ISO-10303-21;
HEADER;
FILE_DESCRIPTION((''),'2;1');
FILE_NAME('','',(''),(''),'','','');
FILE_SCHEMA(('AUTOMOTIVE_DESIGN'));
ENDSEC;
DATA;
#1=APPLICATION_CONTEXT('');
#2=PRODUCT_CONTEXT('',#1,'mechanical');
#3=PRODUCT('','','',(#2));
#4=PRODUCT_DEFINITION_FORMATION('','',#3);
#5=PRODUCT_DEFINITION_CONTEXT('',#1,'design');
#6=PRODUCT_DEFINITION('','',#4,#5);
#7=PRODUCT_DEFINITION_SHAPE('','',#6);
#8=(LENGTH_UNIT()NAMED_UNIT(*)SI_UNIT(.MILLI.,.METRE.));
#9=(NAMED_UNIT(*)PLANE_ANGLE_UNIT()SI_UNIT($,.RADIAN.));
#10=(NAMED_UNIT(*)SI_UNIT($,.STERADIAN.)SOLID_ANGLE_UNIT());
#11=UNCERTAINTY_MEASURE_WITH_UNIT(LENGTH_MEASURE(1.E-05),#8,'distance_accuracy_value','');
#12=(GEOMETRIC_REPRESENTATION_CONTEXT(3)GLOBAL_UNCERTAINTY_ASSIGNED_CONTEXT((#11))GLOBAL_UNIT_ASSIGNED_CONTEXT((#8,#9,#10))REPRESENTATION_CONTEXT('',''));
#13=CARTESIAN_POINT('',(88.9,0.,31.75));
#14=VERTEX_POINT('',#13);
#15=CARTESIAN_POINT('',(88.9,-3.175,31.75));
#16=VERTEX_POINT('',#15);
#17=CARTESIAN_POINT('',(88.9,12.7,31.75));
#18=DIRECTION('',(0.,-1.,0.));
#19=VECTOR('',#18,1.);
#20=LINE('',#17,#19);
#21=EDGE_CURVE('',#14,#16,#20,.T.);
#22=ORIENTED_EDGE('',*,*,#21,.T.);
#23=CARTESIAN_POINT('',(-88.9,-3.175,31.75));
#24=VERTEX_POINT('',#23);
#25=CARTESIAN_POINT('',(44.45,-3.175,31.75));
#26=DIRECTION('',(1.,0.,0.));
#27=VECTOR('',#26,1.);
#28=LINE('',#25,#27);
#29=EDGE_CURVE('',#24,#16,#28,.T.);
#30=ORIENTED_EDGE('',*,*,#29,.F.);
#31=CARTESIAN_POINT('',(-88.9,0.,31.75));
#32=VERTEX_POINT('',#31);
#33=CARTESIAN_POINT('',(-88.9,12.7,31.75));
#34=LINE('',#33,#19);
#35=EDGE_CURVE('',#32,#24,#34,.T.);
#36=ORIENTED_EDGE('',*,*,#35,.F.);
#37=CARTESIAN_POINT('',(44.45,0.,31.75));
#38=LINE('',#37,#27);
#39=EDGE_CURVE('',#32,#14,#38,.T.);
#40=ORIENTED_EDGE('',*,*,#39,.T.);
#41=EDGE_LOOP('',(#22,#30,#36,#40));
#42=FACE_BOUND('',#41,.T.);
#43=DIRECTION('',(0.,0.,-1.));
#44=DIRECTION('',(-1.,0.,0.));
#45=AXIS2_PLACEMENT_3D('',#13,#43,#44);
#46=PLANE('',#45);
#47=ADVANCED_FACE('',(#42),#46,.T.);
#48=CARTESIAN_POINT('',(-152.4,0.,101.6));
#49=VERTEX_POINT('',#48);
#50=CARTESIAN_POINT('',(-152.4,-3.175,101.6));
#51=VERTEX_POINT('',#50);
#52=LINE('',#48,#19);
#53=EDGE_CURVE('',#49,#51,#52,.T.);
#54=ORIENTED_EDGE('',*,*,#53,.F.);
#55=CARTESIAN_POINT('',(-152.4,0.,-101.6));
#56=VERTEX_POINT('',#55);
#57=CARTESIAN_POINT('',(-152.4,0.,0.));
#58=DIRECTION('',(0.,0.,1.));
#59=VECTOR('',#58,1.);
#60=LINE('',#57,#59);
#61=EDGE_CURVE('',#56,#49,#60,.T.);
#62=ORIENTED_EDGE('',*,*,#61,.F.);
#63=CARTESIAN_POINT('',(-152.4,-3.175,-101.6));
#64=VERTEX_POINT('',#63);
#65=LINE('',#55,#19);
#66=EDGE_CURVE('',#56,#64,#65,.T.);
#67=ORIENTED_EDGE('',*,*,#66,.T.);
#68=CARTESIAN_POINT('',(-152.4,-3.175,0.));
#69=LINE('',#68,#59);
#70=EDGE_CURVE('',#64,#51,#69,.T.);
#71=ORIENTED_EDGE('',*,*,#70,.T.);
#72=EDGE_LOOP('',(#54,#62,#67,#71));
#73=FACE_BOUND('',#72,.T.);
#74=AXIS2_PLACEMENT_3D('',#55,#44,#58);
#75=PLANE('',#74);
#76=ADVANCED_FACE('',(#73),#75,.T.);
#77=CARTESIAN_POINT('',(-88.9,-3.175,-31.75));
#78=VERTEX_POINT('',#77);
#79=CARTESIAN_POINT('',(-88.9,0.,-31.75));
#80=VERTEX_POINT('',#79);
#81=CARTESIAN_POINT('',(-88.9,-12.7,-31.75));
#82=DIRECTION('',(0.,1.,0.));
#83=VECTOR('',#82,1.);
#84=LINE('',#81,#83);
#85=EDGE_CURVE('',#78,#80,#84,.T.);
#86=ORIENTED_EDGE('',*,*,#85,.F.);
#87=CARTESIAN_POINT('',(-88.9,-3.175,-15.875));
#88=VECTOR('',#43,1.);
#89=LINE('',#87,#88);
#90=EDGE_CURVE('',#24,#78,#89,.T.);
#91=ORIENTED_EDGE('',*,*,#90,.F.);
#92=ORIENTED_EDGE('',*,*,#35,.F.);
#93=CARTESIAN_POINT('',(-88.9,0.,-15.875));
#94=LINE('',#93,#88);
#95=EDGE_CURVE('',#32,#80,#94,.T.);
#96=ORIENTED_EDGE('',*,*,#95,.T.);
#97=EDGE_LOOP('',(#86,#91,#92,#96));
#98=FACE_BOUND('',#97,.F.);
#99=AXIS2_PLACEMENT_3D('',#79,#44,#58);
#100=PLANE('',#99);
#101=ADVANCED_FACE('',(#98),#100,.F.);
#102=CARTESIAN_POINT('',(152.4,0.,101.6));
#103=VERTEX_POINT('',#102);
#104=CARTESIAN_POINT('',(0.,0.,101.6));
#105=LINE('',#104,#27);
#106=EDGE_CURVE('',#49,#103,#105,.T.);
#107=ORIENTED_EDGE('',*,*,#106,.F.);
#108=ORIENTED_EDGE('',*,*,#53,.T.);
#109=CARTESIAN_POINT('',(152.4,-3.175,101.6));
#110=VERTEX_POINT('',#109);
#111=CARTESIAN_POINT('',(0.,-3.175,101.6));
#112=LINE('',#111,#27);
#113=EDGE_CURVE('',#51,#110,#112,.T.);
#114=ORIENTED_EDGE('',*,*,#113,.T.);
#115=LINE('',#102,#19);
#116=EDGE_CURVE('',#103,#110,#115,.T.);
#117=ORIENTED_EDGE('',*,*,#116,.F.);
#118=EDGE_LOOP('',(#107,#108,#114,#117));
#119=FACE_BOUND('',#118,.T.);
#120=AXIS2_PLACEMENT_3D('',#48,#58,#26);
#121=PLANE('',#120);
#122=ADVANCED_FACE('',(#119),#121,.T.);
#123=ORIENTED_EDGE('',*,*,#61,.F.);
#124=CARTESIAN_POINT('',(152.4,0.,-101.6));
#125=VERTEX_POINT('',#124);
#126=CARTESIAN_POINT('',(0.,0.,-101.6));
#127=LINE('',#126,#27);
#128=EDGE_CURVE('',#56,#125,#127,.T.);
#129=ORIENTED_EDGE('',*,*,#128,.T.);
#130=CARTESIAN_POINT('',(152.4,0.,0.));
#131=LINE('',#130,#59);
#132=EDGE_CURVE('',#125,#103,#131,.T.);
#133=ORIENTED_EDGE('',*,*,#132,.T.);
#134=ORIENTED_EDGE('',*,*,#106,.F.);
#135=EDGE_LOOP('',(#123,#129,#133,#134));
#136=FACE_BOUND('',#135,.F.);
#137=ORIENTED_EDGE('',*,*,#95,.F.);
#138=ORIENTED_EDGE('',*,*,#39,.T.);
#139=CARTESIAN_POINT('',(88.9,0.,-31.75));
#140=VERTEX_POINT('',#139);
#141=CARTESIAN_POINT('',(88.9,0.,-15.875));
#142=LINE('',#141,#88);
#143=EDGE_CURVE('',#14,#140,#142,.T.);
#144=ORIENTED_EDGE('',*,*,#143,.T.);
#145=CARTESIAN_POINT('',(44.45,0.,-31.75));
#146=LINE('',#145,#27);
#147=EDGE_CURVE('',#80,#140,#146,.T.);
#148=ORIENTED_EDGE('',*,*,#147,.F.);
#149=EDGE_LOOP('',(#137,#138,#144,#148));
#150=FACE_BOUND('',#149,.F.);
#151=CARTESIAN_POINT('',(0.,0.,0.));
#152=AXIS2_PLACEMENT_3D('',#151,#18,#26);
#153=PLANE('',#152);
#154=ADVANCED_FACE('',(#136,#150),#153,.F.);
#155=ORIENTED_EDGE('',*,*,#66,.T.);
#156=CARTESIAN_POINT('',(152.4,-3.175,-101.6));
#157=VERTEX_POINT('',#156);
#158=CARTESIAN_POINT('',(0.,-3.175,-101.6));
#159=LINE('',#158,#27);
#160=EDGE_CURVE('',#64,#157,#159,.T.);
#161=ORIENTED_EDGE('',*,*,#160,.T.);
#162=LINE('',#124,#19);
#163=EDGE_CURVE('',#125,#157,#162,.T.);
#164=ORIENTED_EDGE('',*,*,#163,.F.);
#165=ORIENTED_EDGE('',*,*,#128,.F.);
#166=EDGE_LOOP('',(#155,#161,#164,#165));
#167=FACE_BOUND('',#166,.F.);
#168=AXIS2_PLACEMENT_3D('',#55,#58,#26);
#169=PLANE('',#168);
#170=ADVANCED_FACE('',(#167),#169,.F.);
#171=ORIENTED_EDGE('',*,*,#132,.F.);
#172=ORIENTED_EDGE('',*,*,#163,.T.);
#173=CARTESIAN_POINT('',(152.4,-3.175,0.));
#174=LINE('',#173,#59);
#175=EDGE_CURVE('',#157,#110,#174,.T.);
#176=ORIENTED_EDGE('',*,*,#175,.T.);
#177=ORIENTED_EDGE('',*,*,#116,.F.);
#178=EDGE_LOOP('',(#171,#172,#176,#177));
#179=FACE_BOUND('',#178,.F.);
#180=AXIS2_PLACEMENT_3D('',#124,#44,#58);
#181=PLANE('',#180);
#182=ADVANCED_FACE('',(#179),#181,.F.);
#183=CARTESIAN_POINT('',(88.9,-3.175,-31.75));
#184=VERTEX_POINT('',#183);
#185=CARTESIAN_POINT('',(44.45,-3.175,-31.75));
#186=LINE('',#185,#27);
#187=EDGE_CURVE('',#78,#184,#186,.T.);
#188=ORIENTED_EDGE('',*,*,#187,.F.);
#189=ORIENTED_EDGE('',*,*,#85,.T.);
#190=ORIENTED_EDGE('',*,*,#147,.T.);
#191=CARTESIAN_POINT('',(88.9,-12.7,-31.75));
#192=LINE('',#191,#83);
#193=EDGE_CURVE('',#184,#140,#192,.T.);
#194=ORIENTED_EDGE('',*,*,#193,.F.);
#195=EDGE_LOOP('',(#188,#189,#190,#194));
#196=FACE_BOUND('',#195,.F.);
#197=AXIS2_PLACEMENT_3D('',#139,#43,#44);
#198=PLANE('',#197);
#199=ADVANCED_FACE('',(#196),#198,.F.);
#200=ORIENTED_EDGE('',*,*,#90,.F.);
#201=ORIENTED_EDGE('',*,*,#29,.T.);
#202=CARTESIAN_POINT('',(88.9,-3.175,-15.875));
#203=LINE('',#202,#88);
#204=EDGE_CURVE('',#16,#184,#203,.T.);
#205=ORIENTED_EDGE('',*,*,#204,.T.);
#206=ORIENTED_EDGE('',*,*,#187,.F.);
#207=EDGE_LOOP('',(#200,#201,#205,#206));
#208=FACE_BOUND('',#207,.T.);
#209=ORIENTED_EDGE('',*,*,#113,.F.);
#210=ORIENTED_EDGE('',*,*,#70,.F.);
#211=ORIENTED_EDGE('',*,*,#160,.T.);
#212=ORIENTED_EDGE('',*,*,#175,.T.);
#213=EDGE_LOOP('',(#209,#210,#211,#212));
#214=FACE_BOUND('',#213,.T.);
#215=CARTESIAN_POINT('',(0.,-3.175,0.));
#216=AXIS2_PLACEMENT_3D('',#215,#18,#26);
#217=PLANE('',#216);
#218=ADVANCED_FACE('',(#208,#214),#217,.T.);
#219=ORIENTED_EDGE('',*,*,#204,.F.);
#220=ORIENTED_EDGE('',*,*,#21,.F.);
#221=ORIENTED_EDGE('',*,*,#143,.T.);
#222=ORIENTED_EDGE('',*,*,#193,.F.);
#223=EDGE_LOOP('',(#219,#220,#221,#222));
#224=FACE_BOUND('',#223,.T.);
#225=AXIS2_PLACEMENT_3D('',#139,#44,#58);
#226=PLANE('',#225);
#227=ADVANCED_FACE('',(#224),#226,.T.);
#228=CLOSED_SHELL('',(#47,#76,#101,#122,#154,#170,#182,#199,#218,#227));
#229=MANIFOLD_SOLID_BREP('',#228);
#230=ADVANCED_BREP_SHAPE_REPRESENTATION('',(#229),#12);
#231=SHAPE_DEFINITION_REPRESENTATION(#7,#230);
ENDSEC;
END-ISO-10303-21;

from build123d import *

# Parameters (mm, degrees)
F0_W     = 304.8
F0_H     = 203.2
F1_DEPTH = 3.175
F2_W     = 177.8
F2_H     = 63.5
F3_DEPTH = 12.7


with BuildPart() as f1:
    # F0 (on Front) → F1 (new body)
    with BuildSketch(Plane.XZ):
        Rectangle(F0_W, F0_H)
    extrude(amount=F1_DEPTH)

    # F2 (on face) → F3 (cut, symmetric)
    with BuildSketch(Plane(origin=(0, 0, 0), x_dir=(-1, 0, 0), z_dir=(0, 1, 0))):
        Rectangle(F2_W, F2_H)
    extrude(amount=F3_DEPTH, both=True, mode=Mode.SUBTRACT)


solid = f1.part
